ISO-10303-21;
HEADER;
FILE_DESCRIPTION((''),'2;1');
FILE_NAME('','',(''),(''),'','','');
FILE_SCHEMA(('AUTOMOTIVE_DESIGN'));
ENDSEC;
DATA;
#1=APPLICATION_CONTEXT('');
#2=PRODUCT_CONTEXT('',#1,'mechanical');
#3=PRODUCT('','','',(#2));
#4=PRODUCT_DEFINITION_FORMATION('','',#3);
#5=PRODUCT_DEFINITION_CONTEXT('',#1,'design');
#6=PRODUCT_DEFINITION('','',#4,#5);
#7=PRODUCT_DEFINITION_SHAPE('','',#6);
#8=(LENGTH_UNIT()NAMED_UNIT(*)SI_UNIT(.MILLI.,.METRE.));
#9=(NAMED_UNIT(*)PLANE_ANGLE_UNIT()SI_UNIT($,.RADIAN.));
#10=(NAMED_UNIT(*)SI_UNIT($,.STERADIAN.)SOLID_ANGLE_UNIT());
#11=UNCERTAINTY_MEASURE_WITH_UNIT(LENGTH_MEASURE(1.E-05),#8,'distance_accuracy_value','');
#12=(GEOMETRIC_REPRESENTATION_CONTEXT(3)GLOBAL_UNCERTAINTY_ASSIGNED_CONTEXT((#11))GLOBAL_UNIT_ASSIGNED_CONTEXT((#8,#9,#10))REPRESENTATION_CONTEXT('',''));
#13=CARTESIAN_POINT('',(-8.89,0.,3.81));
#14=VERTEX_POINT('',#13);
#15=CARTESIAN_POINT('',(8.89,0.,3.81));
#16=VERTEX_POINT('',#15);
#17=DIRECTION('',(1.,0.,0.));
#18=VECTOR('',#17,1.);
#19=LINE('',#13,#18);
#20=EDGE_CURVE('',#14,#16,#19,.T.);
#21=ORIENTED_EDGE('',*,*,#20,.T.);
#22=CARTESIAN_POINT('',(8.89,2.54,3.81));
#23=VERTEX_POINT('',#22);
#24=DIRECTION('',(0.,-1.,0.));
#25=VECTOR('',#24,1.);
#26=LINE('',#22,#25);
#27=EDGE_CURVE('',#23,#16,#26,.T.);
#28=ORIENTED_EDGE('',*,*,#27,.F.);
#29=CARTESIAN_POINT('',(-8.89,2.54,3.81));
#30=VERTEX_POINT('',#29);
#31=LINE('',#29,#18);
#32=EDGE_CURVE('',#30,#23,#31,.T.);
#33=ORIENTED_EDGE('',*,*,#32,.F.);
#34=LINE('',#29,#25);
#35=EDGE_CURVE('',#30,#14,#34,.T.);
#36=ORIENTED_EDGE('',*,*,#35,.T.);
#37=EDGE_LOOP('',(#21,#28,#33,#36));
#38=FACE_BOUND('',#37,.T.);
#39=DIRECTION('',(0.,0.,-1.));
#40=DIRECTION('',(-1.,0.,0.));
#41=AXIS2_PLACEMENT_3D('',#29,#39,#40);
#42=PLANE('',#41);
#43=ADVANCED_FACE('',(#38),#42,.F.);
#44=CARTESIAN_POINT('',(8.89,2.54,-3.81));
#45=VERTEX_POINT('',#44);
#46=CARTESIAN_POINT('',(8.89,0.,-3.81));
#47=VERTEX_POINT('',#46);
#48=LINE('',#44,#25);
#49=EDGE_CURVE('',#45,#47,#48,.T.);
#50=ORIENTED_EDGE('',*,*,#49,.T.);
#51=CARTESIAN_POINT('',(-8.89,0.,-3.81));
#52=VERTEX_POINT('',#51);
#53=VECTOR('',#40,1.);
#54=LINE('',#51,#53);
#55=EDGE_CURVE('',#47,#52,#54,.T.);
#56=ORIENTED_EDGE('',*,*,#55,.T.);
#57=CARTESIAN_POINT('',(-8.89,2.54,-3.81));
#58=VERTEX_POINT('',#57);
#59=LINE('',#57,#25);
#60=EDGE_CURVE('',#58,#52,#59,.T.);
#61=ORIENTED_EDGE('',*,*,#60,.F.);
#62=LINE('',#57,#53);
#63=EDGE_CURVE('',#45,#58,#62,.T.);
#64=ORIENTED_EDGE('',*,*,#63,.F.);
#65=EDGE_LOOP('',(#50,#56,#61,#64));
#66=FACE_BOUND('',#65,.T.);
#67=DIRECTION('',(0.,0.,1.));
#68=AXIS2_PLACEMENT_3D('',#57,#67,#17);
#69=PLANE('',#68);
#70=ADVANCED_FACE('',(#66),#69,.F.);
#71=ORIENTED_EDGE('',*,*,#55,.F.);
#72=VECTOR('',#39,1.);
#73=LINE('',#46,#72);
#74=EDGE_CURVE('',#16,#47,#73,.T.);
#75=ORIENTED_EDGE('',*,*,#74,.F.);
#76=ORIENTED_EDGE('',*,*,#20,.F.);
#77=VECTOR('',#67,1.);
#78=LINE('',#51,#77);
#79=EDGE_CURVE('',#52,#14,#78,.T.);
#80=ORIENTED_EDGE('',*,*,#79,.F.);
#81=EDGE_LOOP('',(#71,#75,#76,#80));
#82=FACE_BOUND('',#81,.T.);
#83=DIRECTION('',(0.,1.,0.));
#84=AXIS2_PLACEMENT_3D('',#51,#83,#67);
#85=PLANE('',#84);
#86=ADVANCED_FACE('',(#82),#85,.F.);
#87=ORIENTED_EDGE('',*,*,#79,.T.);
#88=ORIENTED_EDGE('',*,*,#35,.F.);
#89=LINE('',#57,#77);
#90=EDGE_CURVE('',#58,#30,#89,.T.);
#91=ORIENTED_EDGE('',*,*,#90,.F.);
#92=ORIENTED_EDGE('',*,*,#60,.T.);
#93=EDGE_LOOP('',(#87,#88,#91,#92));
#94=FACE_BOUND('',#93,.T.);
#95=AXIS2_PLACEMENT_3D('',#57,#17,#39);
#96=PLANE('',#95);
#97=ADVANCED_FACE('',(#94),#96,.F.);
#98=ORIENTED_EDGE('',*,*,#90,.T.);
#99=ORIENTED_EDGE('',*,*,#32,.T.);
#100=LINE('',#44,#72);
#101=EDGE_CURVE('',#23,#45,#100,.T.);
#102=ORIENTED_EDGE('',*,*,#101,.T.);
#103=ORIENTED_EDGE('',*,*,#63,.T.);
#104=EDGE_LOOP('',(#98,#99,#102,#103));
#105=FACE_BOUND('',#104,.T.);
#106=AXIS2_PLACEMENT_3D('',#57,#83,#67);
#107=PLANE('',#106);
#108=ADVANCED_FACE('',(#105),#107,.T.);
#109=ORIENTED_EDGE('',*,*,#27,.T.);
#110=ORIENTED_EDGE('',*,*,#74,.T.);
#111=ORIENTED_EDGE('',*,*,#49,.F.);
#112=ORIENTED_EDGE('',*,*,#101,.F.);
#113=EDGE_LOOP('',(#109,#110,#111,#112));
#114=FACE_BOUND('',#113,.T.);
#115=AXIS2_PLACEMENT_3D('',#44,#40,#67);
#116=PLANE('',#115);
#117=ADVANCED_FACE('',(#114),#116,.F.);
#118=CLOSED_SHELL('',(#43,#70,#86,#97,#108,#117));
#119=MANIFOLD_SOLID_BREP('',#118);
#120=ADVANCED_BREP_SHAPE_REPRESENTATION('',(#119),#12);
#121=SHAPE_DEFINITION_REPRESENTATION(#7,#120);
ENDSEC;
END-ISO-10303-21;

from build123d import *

# Parameters (mm, degrees)
SKETCH1_W      = 17.78
SKETCH1_H      = 7.62
EXTRUDE1_DEPTH = 2.54


with BuildPart() as part:
    # Sketch1 → Extrude1 (new body)
    with BuildSketch(Plane(origin=(0, 0, 0), x_dir=(1, 0, 0), z_dir=(0, 1, 0))):
        Rectangle(SKETCH1_W, SKETCH1_H)
    extrude(amount=EXTRUDE1_DEPTH)


solid = part.part
